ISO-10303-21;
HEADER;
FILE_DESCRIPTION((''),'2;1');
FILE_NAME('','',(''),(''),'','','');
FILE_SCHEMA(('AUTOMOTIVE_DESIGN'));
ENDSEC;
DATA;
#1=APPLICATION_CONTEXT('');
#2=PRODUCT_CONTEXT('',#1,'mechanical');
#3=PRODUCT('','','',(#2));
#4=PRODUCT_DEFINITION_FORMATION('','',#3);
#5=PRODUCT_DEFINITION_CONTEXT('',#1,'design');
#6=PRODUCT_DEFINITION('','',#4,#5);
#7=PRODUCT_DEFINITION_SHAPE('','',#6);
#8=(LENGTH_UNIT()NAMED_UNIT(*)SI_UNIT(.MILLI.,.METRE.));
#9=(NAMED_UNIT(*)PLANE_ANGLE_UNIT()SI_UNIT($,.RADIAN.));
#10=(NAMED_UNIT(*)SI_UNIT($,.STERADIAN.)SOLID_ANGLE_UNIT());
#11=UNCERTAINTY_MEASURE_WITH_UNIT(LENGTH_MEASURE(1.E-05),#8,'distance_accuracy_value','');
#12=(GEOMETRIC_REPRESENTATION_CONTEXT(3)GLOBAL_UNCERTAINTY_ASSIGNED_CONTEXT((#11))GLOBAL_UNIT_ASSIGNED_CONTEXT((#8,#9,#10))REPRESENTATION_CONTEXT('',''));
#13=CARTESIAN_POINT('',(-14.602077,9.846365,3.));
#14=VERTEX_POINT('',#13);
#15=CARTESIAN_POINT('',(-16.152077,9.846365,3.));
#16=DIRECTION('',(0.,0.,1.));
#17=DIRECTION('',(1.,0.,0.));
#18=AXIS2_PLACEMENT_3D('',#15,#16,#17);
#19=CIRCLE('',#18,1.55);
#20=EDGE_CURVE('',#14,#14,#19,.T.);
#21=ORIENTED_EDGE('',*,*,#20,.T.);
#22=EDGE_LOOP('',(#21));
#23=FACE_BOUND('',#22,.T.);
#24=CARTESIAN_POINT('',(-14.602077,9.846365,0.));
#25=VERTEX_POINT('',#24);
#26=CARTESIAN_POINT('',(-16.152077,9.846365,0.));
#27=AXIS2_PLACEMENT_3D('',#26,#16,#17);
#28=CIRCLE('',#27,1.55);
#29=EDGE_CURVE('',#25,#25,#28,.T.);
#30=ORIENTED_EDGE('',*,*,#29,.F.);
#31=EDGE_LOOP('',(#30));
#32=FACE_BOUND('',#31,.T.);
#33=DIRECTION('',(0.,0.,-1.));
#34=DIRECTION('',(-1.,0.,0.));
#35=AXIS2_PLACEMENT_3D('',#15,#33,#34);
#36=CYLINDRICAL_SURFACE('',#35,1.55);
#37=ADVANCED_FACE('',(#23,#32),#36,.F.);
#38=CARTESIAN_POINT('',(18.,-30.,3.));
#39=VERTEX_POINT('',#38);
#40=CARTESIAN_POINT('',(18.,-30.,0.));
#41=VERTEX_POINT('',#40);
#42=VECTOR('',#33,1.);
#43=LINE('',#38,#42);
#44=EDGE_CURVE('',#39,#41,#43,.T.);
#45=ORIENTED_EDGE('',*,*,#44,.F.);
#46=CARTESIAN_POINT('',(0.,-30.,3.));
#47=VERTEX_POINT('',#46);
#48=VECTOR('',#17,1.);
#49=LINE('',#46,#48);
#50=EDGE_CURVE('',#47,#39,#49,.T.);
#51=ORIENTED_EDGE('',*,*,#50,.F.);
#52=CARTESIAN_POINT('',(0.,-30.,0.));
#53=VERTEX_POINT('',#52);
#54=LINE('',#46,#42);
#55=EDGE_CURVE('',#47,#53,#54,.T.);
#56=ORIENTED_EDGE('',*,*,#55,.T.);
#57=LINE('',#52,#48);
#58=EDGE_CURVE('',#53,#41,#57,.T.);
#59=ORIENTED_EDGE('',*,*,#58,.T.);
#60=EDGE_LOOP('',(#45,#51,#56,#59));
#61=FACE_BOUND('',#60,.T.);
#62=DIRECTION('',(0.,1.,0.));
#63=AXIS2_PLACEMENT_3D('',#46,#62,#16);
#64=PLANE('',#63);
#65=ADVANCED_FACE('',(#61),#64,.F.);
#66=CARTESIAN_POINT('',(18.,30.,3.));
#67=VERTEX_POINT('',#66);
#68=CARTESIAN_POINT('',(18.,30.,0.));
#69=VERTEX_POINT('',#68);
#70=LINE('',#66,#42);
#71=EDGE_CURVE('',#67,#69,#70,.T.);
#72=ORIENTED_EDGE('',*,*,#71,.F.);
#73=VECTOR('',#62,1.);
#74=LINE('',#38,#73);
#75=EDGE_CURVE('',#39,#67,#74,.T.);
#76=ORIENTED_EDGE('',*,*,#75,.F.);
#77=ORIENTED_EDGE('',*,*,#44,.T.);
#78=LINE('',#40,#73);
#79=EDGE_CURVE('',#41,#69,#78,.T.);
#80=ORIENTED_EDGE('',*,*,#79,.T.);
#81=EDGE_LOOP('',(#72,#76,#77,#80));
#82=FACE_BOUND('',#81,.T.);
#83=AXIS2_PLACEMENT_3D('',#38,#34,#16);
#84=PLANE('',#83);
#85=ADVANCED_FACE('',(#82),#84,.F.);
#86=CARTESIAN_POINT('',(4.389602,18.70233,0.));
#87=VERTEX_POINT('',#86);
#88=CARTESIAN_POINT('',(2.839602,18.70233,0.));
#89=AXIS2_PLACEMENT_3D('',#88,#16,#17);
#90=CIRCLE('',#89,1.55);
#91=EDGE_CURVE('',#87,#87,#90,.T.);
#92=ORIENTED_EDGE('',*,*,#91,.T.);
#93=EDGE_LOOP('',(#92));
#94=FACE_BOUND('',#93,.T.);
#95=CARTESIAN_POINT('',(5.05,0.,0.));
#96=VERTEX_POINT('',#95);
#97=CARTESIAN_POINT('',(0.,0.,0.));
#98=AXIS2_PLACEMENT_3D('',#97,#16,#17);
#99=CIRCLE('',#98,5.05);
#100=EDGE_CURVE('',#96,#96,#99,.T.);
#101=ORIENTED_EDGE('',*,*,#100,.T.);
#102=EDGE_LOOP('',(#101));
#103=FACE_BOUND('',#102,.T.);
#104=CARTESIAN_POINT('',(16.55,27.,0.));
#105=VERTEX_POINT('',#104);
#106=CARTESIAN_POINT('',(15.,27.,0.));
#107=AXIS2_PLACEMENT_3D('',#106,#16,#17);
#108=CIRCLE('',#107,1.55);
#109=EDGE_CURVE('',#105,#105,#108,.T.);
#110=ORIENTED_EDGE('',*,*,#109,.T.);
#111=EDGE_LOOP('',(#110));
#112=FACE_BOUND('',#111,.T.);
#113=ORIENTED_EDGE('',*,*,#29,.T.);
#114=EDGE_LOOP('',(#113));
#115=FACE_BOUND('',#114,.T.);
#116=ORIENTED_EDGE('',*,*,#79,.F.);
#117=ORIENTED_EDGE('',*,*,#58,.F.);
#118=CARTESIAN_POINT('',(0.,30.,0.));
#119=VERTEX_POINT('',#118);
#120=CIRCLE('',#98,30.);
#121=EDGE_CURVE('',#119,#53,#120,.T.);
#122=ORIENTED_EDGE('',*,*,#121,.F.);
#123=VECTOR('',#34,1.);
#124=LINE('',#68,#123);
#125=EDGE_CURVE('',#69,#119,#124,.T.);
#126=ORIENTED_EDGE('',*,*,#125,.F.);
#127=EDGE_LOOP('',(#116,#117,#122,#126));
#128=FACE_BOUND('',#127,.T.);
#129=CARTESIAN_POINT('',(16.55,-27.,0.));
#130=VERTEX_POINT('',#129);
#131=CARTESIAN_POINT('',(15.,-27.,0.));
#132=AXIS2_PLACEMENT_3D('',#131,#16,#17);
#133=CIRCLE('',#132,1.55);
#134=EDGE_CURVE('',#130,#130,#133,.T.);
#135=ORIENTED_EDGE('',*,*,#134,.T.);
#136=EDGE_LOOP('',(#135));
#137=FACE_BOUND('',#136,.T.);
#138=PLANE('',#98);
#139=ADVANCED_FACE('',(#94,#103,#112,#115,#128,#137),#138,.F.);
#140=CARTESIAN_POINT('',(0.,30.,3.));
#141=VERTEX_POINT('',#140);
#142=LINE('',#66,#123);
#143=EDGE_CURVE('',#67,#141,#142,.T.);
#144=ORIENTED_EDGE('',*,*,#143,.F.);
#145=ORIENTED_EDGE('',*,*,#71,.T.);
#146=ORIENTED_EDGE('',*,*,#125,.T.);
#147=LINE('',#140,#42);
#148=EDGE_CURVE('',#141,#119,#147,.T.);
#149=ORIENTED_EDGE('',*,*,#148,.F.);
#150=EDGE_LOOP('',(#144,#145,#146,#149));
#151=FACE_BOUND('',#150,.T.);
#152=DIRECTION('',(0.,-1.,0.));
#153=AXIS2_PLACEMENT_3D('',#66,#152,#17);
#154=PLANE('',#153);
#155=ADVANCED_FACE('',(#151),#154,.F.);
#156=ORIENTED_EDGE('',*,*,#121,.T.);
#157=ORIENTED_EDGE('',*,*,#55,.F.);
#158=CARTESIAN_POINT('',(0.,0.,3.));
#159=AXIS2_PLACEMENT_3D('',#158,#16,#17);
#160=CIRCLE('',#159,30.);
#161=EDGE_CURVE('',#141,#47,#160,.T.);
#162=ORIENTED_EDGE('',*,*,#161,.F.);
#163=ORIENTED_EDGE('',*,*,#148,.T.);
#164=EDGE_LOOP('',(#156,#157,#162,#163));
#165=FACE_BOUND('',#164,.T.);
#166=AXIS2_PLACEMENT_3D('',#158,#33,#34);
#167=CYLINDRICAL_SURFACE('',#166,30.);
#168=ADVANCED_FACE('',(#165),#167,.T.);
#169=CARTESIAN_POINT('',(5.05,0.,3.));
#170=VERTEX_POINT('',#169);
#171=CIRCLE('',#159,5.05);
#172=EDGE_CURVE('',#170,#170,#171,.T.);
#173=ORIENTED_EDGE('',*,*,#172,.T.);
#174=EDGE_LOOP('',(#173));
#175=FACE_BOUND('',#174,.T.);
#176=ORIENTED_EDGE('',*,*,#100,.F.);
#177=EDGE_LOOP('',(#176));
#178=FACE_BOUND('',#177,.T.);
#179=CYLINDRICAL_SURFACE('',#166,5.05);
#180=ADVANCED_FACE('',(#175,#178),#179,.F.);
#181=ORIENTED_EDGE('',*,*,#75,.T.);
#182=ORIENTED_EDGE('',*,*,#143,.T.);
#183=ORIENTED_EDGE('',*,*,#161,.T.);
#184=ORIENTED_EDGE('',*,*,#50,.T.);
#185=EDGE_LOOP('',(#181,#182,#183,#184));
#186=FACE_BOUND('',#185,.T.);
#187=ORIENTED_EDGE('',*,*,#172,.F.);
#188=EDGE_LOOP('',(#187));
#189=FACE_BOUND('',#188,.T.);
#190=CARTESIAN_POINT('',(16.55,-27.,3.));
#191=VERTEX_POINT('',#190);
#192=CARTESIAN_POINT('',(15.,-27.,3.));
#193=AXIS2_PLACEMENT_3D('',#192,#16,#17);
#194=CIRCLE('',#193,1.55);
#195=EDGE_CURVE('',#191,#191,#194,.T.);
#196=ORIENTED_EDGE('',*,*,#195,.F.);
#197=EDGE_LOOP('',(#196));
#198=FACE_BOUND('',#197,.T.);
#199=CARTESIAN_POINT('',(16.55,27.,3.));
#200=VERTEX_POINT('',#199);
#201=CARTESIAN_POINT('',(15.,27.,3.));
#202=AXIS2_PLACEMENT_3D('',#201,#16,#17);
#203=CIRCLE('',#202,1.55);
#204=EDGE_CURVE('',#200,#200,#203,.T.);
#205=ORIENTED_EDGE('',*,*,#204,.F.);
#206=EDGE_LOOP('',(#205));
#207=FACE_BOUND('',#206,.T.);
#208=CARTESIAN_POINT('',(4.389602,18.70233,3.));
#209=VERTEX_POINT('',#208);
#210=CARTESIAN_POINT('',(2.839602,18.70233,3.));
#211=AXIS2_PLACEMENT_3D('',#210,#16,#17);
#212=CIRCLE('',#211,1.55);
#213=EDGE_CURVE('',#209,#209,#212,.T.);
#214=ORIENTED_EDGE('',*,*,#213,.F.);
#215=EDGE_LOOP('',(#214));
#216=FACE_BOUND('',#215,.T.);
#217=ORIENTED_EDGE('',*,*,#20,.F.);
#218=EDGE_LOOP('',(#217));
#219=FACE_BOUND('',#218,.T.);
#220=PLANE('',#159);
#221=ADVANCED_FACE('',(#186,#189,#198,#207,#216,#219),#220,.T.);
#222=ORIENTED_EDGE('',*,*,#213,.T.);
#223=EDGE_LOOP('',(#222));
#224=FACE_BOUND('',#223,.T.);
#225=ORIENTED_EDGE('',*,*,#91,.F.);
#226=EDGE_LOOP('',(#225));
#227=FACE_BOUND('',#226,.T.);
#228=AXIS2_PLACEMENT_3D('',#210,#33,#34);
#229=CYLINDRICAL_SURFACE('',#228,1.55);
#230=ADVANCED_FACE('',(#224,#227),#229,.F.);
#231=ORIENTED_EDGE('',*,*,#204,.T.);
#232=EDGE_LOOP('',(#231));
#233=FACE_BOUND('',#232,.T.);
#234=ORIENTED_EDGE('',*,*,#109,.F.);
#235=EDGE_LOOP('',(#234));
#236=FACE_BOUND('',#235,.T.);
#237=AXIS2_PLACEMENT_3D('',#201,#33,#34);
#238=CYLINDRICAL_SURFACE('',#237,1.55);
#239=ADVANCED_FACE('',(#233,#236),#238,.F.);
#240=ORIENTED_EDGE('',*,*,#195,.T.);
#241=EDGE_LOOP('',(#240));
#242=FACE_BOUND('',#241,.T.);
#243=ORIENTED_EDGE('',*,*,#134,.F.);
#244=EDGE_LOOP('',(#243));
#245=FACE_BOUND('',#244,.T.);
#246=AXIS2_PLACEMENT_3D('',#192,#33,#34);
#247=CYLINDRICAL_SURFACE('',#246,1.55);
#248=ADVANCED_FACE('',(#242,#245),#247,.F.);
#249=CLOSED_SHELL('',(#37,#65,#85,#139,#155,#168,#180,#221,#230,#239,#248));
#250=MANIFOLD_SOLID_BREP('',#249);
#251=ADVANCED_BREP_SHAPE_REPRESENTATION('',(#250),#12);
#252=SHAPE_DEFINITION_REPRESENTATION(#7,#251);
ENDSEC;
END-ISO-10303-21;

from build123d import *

# Parameters (mm, degrees)
SKETCH_1_R      = 5.05
SKETCH_1_R_2    = 1.55
EXTRUDE_1_DEPTH = 3


with BuildPart() as part:
    # ｽｹｯﾁ1 → ﾎﾞｽ - 押し出し1 (new body)
    with BuildSketch(Plane.XY):
        with BuildLine():
            Line((0, -30), (18, -30))
            Line((18, -30), (18, 30))
            Line((18, 30), (0, 30))
            ThreePointArc((0, 30), (-30, 0), (0, -30))
        make_face()
        Circle(SKETCH_1_R, mode=Mode.SUBTRACT)
        with Locations((15, 27)):
            Circle(SKETCH_1_R_2, mode=Mode.SUBTRACT)
        with Locations((15, -27)):
            Circle(SKETCH_1_R_2, mode=Mode.SUBTRACT)
        with Locations((-16.152077461, 9.846364808)):
            Circle(SKETCH_1_R_2, mode=Mode.SUBTRACT)
        with Locations((2.839602216, 18.702330483)):
            Circle(SKETCH_1_R_2, mode=Mode.SUBTRACT)
    extrude(amount=EXTRUDE_1_DEPTH)


solid = part.part
